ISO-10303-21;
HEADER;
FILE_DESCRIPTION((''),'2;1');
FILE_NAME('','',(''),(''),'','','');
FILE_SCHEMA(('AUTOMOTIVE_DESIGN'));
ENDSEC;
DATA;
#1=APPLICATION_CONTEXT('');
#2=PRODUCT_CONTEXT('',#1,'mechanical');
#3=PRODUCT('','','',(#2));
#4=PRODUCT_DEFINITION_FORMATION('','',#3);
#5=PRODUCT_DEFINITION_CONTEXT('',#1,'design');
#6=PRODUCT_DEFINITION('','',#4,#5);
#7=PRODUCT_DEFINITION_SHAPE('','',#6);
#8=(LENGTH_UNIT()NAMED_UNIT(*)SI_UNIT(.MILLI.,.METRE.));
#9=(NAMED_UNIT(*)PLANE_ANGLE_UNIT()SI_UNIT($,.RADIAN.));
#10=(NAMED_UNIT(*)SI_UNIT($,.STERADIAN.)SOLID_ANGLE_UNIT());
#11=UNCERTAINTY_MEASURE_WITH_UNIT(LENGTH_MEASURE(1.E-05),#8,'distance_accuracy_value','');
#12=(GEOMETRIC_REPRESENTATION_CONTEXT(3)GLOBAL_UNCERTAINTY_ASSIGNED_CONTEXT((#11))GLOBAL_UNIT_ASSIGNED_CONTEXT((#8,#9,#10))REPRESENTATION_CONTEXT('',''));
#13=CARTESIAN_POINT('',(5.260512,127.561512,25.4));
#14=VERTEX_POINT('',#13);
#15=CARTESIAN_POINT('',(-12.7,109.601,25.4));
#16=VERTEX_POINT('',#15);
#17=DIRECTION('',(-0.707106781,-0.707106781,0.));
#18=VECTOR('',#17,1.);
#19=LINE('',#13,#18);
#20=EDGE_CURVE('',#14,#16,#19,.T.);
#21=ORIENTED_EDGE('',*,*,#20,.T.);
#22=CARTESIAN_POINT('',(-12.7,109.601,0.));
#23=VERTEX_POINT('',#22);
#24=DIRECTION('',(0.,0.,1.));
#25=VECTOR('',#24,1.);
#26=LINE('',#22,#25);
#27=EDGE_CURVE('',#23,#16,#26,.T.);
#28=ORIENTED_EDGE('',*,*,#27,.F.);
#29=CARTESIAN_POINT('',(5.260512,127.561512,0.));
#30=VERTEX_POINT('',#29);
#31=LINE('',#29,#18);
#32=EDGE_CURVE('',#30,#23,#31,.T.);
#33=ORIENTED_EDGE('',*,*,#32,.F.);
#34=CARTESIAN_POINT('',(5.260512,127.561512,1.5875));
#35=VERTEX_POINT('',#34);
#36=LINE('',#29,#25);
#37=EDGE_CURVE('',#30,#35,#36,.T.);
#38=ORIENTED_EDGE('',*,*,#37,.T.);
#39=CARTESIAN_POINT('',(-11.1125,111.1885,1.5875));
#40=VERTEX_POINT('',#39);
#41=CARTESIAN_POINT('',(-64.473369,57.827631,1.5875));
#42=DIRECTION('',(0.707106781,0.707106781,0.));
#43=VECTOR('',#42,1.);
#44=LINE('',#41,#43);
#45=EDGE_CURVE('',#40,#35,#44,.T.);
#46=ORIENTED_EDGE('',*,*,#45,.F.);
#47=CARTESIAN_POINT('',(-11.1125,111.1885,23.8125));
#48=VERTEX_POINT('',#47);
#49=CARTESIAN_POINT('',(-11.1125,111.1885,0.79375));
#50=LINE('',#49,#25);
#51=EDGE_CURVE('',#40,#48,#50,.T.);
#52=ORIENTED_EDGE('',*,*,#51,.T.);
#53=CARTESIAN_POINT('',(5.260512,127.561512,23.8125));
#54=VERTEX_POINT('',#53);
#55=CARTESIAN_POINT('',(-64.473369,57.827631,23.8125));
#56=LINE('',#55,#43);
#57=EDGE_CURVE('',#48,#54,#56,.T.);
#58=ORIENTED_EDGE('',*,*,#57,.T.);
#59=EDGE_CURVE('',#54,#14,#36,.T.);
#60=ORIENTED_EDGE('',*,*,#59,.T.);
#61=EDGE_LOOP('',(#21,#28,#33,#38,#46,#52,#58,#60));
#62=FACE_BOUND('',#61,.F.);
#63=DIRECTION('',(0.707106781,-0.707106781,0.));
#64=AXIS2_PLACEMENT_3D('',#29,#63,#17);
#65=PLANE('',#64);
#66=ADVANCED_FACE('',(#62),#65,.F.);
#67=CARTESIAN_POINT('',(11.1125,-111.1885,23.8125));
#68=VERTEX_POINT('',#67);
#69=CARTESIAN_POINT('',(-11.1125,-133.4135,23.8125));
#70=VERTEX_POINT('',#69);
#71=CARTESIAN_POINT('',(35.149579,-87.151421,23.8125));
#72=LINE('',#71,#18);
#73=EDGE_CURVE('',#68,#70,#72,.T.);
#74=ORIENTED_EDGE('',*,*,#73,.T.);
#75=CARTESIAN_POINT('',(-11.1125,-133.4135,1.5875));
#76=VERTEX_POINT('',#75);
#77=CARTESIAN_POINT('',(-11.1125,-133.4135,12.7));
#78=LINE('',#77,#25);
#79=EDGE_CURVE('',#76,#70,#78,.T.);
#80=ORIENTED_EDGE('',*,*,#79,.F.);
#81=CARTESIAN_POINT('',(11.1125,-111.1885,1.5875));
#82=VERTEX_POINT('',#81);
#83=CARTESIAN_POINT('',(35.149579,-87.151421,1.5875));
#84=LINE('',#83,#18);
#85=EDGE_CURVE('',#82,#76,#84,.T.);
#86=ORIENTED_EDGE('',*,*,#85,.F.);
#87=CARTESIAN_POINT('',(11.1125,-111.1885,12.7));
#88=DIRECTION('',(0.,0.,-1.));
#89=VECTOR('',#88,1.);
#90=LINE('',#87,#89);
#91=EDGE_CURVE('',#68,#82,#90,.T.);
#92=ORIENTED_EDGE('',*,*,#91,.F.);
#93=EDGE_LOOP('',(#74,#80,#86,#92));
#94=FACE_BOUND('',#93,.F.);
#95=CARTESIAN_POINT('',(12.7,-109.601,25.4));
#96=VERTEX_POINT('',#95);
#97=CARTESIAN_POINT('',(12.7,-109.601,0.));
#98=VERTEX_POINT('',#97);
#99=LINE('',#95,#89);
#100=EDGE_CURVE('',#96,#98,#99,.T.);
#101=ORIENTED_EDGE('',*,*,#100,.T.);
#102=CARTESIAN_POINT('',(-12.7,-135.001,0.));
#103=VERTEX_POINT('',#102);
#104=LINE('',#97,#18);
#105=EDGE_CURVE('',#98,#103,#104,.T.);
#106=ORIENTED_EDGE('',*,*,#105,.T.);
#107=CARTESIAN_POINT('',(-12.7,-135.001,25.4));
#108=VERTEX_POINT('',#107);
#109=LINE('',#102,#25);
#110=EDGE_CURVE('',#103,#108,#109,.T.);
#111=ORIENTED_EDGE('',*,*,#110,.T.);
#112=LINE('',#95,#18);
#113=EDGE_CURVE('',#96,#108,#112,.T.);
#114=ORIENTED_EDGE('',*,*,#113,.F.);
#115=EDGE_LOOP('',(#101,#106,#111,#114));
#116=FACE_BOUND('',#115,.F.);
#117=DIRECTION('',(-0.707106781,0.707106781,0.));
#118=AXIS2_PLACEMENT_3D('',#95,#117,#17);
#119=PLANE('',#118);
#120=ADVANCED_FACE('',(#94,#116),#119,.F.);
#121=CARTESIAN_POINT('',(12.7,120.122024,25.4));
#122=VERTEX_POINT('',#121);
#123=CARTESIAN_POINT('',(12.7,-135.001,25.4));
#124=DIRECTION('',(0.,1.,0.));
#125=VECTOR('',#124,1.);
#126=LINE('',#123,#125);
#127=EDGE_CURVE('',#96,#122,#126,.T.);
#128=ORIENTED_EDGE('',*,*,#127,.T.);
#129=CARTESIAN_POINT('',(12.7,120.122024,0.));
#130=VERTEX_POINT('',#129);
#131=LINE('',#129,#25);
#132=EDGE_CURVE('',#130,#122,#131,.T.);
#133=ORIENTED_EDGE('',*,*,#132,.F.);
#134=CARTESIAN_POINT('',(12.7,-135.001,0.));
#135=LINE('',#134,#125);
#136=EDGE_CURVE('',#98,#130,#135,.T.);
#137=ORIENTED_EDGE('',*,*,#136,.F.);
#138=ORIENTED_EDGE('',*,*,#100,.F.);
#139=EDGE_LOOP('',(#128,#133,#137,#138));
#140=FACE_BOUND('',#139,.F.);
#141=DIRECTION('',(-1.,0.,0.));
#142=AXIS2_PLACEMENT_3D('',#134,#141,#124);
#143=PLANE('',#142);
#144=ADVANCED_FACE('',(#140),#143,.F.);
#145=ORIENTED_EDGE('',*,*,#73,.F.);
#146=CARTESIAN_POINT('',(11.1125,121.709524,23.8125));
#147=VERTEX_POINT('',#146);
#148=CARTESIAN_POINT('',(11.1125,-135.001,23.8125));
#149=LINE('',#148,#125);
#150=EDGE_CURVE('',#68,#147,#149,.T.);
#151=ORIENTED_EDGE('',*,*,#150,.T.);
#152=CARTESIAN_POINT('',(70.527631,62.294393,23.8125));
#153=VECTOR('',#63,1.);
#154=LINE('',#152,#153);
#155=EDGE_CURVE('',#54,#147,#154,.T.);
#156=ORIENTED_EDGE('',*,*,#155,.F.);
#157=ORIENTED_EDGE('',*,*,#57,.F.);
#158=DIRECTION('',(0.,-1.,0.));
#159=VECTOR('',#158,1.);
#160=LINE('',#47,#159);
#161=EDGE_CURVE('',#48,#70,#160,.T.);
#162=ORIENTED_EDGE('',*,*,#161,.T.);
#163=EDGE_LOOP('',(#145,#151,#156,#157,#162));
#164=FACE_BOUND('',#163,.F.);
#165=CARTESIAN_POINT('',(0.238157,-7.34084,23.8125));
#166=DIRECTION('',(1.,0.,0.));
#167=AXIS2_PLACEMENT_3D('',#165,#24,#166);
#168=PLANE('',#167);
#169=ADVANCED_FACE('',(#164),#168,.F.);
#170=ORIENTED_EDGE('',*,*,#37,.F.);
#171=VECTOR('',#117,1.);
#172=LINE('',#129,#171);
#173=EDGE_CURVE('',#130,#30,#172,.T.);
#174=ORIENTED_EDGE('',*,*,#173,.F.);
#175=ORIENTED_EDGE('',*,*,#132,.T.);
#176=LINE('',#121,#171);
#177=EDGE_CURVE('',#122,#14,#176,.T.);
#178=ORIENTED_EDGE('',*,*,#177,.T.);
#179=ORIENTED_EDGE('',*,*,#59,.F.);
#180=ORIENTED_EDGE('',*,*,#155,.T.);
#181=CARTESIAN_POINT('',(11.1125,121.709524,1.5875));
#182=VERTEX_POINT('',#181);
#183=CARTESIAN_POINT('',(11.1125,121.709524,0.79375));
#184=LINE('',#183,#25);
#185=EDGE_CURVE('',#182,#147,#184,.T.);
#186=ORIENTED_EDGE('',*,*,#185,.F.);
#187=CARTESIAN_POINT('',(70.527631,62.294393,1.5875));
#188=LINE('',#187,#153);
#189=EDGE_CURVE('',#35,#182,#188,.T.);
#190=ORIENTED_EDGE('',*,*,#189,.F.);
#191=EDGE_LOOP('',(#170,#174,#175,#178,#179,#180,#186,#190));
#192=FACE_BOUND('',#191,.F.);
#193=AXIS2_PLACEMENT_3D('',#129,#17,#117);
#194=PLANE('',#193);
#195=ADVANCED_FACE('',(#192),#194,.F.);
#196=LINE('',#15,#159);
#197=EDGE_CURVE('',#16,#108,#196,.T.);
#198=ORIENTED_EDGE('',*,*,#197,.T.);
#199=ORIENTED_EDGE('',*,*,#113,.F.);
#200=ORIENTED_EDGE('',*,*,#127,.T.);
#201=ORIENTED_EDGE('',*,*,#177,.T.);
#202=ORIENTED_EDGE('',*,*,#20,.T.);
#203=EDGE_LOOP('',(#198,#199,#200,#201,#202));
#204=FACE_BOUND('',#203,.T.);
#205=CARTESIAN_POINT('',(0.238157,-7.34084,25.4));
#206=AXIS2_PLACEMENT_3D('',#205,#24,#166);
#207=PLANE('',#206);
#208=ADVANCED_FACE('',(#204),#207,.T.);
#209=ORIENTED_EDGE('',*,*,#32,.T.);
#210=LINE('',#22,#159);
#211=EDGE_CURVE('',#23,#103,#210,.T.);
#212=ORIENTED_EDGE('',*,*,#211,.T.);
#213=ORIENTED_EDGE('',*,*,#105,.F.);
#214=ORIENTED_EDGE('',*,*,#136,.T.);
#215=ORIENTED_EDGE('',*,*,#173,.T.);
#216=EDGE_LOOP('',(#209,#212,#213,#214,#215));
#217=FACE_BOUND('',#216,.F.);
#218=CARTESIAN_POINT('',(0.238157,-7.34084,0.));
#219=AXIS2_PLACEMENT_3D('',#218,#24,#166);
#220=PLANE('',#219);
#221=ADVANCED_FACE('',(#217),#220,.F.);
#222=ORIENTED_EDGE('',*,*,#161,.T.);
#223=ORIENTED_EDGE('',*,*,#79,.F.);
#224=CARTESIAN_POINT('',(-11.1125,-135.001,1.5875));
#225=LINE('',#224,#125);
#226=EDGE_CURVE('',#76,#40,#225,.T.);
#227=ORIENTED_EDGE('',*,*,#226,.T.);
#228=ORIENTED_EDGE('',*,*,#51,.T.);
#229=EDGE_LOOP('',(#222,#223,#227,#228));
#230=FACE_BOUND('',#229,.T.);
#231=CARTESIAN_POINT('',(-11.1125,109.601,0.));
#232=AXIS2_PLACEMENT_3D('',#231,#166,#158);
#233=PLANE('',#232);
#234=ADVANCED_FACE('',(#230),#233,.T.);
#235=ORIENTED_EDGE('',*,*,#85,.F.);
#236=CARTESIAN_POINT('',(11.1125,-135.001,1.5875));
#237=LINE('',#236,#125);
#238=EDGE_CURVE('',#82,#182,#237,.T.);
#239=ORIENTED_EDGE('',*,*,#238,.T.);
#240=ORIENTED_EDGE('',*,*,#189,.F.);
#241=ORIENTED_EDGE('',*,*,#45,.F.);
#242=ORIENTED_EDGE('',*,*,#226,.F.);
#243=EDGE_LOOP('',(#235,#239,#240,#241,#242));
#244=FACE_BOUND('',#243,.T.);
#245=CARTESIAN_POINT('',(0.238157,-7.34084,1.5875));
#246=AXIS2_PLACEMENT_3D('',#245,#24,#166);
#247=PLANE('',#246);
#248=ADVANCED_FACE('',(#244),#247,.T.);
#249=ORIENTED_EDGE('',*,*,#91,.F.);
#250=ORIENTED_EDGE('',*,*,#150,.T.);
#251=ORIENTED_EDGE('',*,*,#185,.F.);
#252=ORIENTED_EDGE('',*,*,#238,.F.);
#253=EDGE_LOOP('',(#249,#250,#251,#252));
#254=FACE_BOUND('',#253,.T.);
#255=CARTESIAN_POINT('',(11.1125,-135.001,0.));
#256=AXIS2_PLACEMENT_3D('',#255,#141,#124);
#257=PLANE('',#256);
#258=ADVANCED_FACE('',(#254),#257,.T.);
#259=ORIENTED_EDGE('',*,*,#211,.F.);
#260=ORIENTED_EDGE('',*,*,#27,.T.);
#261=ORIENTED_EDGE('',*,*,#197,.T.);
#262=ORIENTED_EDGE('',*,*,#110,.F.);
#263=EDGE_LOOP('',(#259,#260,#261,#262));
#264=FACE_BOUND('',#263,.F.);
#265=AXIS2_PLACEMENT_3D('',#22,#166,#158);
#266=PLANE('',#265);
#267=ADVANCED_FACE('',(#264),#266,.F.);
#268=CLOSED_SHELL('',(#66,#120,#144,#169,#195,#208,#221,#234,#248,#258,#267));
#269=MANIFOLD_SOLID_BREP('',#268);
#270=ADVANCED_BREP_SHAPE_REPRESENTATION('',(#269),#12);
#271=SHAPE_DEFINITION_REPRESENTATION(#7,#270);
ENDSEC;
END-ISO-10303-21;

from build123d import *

# Parameters (mm, degrees)
F1_DEPTH = 25.4
F2_T     = -1.5875
F3_W     = 22.225
F3_H     = 22.225
F4_DEPTH = 262.563512
F6_DEPTH = 25.4


with BuildPart() as f1:
    # F0 (on Top) → F1 (new body)
    with BuildSketch(Plane.XY):
        Polygon((5.260512, 127.561512), (-12.7, 109.601), (-12.7, -135.001), (12.7, -135.001), (12.7, 120.122024), align=None)
    extrude(amount=F1_DEPTH)

    # F2
    f2_openings = [f1.faces().sort_by_distance(p)[0] for p in [
        (0, -135.001, 12.7),
    ]]
    offset(amount=F2_T, openings=f2_openings)

    # F3 (on face) → F4 (cut, through all)
    with BuildSketch(Plane.XZ.offset(135.001)):
        with Locations((0, 12.7)):
            Rectangle(F3_W, F3_H)
    extrude(amount=-F4_DEPTH, mode=Mode.SUBTRACT)

    # F5 (on face) → F6 (cut)
    with BuildSketch(Plane.XY.offset(25.4)):
        Polygon((12.7, -109.601), (-12.7, -135.001), (12.7, -135.001), align=None)
    extrude(amount=-F6_DEPTH, mode=Mode.SUBTRACT)


solid = f1.part
